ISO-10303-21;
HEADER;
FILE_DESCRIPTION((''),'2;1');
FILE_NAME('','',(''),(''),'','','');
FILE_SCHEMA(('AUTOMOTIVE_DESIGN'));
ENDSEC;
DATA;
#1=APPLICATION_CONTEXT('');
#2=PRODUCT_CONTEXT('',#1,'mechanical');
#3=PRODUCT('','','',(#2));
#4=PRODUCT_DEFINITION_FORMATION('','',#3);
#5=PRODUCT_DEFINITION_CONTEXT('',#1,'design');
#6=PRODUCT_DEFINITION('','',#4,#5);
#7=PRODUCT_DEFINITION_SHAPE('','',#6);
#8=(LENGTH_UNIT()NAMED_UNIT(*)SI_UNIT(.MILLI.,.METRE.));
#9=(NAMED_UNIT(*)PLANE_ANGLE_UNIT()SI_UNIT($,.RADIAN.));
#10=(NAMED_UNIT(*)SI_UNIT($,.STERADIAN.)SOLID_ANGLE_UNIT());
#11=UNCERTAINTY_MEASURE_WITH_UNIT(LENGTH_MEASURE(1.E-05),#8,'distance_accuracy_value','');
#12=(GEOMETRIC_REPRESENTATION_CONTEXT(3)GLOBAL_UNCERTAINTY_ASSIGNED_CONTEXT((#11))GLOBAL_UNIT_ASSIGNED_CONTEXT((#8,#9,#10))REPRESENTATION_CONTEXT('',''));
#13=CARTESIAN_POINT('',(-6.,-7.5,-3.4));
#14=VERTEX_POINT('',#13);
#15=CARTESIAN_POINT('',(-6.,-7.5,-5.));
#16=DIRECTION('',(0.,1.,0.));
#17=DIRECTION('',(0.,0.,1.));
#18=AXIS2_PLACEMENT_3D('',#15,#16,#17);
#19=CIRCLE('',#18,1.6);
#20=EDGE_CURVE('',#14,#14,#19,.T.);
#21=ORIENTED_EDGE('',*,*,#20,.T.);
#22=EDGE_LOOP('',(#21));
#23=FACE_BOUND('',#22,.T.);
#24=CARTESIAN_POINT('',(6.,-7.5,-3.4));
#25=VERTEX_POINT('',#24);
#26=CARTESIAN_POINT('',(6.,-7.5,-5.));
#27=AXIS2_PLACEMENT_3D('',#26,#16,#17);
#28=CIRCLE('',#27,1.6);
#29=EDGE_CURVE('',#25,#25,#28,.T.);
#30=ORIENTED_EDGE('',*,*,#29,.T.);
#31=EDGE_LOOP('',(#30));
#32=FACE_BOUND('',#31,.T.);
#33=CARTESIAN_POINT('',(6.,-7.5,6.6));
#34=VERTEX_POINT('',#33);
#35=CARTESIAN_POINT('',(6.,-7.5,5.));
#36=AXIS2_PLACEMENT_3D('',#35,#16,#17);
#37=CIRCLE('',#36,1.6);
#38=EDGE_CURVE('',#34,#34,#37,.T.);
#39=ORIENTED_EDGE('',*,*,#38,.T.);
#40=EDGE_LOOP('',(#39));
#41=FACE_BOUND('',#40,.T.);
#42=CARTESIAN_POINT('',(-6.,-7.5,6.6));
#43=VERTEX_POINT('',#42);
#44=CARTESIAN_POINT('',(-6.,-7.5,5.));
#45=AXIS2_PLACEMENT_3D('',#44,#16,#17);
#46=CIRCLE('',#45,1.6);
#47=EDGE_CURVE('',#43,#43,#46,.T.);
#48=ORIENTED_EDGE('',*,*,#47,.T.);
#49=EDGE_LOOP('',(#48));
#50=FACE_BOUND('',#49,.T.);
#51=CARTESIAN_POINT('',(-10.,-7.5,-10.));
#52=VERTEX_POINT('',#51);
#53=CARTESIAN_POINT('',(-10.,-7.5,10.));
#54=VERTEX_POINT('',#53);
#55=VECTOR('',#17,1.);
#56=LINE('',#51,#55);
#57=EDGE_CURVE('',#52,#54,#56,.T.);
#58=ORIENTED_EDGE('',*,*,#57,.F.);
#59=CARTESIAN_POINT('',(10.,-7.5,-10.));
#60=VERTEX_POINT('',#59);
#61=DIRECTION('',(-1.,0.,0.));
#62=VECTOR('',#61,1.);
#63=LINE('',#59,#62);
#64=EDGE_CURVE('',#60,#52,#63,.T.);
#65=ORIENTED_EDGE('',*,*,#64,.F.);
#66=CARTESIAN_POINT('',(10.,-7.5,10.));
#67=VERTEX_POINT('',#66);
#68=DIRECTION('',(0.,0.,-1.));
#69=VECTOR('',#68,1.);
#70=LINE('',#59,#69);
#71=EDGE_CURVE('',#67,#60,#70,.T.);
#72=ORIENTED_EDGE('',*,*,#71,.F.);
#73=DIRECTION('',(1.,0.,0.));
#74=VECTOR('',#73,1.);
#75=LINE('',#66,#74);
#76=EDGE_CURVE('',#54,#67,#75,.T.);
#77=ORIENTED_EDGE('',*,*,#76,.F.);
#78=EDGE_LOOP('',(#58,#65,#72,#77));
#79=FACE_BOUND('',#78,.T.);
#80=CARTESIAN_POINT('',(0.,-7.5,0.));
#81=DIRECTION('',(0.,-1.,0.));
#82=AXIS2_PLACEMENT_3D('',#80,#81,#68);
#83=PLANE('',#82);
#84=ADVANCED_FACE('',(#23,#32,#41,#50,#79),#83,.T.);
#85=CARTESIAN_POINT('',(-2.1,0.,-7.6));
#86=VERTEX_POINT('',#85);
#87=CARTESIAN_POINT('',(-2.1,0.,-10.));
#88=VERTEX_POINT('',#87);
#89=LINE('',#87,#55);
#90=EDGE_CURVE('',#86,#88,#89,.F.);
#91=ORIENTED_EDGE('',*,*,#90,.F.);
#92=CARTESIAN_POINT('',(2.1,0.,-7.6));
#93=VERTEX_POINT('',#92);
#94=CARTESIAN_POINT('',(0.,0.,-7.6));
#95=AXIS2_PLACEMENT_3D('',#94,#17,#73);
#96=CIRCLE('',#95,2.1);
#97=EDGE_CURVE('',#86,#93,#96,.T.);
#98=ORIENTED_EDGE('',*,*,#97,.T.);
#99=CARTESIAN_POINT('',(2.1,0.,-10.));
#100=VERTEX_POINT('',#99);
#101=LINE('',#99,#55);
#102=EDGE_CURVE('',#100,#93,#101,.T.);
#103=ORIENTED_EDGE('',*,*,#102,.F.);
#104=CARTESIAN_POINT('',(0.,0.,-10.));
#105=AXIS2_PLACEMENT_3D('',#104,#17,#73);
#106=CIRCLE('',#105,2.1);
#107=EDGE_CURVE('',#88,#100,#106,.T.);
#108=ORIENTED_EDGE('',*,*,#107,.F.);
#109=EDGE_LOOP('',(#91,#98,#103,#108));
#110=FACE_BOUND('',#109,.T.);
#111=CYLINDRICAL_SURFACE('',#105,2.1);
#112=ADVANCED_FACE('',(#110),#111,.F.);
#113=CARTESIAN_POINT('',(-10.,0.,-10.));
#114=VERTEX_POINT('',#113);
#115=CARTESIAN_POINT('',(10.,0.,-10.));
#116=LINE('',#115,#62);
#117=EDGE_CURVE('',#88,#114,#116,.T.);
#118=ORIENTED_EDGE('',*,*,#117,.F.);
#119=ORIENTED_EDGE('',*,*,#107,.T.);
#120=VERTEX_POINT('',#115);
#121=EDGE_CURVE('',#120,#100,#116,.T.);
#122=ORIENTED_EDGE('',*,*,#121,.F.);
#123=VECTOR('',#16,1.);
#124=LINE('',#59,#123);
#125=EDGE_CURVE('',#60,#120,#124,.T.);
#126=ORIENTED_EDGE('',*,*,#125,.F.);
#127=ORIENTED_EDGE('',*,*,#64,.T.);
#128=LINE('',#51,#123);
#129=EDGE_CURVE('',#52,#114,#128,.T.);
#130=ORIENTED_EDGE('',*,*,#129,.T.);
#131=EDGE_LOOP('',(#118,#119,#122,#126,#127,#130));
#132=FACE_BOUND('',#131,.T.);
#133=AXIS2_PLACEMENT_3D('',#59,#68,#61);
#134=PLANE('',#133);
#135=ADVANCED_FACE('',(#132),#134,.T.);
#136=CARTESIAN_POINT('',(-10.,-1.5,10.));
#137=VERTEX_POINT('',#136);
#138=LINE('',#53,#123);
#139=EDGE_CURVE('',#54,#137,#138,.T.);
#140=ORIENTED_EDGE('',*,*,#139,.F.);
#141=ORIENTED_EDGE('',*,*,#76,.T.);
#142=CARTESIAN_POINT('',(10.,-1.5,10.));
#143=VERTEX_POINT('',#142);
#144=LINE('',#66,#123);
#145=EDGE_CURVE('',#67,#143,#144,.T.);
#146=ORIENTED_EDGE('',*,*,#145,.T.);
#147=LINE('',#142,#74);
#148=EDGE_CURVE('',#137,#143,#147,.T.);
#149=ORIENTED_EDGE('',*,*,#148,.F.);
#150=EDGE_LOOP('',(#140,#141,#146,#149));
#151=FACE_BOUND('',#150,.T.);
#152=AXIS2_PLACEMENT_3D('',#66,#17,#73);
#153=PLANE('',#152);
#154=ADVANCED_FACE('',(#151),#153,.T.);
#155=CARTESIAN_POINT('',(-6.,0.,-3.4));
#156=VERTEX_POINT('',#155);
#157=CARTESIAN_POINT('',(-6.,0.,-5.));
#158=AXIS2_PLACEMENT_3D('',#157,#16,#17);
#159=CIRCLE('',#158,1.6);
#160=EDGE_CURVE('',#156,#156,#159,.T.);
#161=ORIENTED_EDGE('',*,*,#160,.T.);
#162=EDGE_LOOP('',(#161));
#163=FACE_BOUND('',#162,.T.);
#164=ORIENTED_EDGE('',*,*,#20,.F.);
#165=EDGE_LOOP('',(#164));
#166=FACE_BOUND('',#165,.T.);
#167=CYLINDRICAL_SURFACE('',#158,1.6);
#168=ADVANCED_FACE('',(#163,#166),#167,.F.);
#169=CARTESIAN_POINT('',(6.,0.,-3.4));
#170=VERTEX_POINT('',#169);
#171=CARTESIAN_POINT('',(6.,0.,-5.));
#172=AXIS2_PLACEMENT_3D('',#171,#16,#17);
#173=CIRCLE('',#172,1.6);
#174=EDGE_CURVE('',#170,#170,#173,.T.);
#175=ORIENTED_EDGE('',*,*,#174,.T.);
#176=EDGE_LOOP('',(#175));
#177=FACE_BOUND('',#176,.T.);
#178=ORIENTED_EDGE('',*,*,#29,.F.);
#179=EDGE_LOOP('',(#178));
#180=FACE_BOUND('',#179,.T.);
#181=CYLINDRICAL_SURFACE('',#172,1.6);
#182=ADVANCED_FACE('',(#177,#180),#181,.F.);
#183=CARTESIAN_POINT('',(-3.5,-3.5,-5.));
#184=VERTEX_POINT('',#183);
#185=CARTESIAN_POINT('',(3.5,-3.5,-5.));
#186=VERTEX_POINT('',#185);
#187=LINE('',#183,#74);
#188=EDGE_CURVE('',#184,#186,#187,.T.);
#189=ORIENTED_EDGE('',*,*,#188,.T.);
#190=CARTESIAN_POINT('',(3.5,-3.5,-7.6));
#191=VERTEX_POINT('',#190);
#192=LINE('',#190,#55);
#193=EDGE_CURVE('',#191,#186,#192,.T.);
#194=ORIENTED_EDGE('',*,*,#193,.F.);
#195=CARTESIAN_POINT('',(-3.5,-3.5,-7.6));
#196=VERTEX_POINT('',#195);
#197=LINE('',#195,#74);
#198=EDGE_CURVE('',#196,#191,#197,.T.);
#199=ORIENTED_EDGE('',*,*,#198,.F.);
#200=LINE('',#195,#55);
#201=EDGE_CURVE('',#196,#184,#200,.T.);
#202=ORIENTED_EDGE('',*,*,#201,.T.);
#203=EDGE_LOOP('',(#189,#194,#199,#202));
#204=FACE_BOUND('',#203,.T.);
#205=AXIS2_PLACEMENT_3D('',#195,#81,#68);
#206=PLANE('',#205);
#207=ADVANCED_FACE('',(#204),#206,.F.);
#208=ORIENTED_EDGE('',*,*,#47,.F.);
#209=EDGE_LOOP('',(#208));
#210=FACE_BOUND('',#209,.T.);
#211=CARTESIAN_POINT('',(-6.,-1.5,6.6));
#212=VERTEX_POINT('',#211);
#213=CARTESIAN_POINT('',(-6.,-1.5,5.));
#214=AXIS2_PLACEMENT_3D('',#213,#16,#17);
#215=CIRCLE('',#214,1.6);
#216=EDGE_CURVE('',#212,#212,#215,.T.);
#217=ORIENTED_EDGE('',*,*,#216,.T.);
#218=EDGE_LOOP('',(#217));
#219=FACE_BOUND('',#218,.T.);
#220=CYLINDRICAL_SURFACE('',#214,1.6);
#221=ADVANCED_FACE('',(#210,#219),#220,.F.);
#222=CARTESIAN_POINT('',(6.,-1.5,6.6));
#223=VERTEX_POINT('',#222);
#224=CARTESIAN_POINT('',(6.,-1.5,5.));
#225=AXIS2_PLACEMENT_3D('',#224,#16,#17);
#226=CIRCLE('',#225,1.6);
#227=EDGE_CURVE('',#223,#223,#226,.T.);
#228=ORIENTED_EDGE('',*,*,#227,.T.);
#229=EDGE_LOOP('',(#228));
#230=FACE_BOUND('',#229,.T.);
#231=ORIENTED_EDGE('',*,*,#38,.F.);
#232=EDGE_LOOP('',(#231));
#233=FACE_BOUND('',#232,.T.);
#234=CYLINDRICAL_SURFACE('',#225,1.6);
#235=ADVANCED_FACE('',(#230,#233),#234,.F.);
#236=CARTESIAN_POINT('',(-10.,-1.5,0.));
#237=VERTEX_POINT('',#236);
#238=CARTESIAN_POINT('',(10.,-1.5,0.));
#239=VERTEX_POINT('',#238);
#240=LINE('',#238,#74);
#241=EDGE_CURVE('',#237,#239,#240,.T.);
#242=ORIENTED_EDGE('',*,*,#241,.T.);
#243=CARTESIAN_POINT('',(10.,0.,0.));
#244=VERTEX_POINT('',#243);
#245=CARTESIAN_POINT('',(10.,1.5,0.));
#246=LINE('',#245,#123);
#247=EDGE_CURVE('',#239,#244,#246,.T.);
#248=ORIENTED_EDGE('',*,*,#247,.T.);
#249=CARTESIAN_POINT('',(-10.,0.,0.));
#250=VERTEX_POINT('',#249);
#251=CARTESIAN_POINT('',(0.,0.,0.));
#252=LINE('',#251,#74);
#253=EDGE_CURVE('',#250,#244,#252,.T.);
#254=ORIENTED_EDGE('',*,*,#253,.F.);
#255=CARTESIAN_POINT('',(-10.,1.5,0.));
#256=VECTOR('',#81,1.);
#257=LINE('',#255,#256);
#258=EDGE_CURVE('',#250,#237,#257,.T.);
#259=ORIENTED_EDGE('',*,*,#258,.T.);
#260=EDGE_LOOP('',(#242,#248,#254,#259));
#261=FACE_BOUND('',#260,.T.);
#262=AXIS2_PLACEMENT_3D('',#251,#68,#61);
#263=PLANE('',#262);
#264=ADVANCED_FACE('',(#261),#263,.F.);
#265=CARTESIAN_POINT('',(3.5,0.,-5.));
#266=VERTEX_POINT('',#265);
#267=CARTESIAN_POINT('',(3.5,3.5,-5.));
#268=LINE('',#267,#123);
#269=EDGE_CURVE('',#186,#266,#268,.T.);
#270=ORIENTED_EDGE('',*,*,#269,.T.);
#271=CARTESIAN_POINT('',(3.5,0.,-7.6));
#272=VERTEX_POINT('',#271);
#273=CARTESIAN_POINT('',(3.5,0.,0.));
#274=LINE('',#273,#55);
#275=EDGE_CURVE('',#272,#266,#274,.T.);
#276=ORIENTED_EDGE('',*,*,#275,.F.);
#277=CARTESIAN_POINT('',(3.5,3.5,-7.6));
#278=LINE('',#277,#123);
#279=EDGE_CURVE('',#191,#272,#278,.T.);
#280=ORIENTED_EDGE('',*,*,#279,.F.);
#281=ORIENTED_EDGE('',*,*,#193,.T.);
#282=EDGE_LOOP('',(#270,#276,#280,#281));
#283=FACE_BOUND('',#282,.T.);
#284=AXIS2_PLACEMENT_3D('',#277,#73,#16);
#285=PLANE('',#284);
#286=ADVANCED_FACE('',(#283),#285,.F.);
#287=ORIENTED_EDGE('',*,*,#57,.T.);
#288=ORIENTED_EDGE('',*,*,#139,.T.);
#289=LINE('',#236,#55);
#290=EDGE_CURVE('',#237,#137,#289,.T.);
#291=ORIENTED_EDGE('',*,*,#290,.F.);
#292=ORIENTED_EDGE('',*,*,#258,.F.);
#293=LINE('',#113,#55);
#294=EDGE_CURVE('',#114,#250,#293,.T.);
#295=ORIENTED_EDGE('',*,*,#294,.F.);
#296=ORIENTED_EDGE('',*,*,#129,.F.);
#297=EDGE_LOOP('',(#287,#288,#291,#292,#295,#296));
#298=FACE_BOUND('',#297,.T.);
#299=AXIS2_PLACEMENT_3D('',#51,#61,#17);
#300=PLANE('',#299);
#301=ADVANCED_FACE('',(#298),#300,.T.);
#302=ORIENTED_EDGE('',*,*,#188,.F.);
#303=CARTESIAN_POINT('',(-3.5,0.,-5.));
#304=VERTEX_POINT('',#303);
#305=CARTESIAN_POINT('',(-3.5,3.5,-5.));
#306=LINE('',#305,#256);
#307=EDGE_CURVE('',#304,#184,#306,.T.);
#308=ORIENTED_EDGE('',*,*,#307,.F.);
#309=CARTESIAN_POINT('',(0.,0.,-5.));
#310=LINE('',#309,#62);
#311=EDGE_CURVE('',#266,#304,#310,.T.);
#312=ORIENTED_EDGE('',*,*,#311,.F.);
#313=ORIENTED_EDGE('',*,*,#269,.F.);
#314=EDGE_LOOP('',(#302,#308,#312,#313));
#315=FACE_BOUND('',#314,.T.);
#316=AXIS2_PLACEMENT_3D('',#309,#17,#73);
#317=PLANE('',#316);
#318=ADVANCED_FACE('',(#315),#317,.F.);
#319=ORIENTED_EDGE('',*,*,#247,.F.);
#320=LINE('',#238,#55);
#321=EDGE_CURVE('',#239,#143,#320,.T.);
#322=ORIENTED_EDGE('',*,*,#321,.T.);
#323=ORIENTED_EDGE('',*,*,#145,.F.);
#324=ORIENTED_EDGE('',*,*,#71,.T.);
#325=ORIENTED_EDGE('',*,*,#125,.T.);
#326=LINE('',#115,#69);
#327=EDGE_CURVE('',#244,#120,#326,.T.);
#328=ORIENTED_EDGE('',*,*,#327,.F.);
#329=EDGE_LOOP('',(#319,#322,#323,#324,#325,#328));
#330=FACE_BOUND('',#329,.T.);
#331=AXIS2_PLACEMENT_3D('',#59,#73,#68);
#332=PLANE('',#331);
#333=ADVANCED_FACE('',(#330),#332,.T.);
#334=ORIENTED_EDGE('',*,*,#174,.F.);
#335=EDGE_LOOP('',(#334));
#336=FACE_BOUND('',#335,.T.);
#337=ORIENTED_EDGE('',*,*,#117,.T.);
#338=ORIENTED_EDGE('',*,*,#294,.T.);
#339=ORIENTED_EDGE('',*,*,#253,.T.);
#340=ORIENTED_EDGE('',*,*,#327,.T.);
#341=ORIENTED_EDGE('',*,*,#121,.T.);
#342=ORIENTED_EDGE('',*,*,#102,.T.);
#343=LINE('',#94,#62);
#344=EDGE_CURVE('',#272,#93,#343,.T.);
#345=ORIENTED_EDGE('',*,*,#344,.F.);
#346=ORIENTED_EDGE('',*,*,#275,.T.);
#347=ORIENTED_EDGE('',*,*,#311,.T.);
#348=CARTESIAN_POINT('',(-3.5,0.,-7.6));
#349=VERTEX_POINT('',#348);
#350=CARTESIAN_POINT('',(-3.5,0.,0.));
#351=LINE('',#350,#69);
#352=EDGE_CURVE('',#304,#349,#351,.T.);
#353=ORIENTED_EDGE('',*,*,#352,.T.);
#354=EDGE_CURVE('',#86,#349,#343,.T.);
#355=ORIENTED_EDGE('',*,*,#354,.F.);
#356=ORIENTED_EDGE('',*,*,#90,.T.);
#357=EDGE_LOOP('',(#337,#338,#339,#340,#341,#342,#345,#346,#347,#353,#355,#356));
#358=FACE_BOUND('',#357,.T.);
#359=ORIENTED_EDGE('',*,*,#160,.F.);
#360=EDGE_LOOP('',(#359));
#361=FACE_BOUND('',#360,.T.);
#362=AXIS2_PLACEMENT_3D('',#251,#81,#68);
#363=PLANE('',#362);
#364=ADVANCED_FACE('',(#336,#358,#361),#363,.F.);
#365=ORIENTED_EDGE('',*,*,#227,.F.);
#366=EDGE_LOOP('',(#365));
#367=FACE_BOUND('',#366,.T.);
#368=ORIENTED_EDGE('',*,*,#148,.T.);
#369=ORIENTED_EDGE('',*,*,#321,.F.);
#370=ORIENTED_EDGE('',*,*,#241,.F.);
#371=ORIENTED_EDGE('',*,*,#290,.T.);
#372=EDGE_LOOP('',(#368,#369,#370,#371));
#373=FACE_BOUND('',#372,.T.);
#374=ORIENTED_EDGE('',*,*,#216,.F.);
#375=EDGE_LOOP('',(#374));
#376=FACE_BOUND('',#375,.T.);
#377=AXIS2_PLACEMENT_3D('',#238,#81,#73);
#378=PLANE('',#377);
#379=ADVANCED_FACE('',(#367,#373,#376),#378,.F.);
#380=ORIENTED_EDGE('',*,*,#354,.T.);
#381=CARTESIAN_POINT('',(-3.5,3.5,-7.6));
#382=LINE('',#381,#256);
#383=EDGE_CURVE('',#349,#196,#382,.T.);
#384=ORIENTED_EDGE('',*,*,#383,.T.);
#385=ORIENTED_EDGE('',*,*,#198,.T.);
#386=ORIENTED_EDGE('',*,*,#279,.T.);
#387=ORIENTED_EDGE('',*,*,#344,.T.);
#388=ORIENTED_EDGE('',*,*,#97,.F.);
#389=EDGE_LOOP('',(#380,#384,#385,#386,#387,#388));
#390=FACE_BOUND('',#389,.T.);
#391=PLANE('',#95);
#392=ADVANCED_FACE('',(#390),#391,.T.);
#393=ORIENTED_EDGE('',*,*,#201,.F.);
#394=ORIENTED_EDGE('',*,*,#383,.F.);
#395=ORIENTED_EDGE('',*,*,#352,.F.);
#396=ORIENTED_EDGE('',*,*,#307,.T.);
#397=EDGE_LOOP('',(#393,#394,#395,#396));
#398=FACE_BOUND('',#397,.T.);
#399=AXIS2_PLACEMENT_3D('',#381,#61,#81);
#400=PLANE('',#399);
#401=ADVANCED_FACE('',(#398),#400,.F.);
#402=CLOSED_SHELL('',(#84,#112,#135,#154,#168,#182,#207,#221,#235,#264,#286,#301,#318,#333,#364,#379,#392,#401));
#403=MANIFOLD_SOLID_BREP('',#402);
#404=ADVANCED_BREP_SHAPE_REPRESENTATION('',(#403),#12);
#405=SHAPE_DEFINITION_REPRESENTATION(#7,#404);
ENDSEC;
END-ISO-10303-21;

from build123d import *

# Parameters (mm, degrees)
SKETCH2_W                  = 20
SKETCH2_H                  = 20
BOSS_EXTRUDE1_DEPTH        = 7.5
SKETCH3_W                  = 20
SKETCH3_H                  = 3
CUT_EXTRUDE1_DEPTH         = 10
SKETCH4_W                  = 7
SKETCH4_H                  = 7
CUT_EXTRUDE2_DEPTH         = 2.6
SKETCH5_R                  = 2.1
CUT_EXTRUDE3_DEPTH         = 20.52562419
F_3_1_3_1_DIAMETER_HOLE1_D = 3.2
F_3_1_3_1_DIAMETER_HOLE2_D = 3.2


with BuildPart() as part:
    # Sketch2 → Boss-Extrude1 (new body)
    with BuildSketch(Plane(origin=(0, 0, 0), x_dir=(1, 0, 0), z_dir=(0, 1, 0))):
        Rectangle(SKETCH2_W, SKETCH2_H)
    extrude(amount=-BOSS_EXTRUDE1_DEPTH)

    # Sketch3 → Cut-Extrude1 (cut)
    with BuildSketch(Plane.XY.offset(10)):
        Rectangle(SKETCH3_W, SKETCH3_H)
    extrude(amount=-CUT_EXTRUDE1_DEPTH, mode=Mode.SUBTRACT)

    # Sketch4 → Cut-Extrude2 (cut)
    with BuildSketch(Plane.XY.offset(-5)):
        Rectangle(SKETCH4_W, SKETCH4_H)
    extrude(amount=-CUT_EXTRUDE2_DEPTH, mode=Mode.SUBTRACT)

    # Sketch5 → Cut-Extrude3 (cut, through all)
    with BuildSketch(Plane.XY.offset(-5)):
        Circle(SKETCH5_R)
    extrude(amount=-CUT_EXTRUDE3_DEPTH, mode=Mode.SUBTRACT)

    # Ø3.1 (3.1) Diameter Hole1 (through all)
    with Locations(Plane(origin=(0, -1.5, 0), x_dir=(1, 0, 0), z_dir=(0, 1, 0))):
        with Locations((-6, -5), (6, -5)):
            Hole(F_3_1_3_1_DIAMETER_HOLE1_D / 2)

    # Ø3.1 (3.1) Diameter Hole2 (through all)
    with Locations(Plane(origin=(0, 0, 0), x_dir=(1, 0, 0), z_dir=(0, 1, 0))):
        with Locations((-6, 5), (6, 5)):
            Hole(F_3_1_3_1_DIAMETER_HOLE2_D / 2)


solid = part.part
